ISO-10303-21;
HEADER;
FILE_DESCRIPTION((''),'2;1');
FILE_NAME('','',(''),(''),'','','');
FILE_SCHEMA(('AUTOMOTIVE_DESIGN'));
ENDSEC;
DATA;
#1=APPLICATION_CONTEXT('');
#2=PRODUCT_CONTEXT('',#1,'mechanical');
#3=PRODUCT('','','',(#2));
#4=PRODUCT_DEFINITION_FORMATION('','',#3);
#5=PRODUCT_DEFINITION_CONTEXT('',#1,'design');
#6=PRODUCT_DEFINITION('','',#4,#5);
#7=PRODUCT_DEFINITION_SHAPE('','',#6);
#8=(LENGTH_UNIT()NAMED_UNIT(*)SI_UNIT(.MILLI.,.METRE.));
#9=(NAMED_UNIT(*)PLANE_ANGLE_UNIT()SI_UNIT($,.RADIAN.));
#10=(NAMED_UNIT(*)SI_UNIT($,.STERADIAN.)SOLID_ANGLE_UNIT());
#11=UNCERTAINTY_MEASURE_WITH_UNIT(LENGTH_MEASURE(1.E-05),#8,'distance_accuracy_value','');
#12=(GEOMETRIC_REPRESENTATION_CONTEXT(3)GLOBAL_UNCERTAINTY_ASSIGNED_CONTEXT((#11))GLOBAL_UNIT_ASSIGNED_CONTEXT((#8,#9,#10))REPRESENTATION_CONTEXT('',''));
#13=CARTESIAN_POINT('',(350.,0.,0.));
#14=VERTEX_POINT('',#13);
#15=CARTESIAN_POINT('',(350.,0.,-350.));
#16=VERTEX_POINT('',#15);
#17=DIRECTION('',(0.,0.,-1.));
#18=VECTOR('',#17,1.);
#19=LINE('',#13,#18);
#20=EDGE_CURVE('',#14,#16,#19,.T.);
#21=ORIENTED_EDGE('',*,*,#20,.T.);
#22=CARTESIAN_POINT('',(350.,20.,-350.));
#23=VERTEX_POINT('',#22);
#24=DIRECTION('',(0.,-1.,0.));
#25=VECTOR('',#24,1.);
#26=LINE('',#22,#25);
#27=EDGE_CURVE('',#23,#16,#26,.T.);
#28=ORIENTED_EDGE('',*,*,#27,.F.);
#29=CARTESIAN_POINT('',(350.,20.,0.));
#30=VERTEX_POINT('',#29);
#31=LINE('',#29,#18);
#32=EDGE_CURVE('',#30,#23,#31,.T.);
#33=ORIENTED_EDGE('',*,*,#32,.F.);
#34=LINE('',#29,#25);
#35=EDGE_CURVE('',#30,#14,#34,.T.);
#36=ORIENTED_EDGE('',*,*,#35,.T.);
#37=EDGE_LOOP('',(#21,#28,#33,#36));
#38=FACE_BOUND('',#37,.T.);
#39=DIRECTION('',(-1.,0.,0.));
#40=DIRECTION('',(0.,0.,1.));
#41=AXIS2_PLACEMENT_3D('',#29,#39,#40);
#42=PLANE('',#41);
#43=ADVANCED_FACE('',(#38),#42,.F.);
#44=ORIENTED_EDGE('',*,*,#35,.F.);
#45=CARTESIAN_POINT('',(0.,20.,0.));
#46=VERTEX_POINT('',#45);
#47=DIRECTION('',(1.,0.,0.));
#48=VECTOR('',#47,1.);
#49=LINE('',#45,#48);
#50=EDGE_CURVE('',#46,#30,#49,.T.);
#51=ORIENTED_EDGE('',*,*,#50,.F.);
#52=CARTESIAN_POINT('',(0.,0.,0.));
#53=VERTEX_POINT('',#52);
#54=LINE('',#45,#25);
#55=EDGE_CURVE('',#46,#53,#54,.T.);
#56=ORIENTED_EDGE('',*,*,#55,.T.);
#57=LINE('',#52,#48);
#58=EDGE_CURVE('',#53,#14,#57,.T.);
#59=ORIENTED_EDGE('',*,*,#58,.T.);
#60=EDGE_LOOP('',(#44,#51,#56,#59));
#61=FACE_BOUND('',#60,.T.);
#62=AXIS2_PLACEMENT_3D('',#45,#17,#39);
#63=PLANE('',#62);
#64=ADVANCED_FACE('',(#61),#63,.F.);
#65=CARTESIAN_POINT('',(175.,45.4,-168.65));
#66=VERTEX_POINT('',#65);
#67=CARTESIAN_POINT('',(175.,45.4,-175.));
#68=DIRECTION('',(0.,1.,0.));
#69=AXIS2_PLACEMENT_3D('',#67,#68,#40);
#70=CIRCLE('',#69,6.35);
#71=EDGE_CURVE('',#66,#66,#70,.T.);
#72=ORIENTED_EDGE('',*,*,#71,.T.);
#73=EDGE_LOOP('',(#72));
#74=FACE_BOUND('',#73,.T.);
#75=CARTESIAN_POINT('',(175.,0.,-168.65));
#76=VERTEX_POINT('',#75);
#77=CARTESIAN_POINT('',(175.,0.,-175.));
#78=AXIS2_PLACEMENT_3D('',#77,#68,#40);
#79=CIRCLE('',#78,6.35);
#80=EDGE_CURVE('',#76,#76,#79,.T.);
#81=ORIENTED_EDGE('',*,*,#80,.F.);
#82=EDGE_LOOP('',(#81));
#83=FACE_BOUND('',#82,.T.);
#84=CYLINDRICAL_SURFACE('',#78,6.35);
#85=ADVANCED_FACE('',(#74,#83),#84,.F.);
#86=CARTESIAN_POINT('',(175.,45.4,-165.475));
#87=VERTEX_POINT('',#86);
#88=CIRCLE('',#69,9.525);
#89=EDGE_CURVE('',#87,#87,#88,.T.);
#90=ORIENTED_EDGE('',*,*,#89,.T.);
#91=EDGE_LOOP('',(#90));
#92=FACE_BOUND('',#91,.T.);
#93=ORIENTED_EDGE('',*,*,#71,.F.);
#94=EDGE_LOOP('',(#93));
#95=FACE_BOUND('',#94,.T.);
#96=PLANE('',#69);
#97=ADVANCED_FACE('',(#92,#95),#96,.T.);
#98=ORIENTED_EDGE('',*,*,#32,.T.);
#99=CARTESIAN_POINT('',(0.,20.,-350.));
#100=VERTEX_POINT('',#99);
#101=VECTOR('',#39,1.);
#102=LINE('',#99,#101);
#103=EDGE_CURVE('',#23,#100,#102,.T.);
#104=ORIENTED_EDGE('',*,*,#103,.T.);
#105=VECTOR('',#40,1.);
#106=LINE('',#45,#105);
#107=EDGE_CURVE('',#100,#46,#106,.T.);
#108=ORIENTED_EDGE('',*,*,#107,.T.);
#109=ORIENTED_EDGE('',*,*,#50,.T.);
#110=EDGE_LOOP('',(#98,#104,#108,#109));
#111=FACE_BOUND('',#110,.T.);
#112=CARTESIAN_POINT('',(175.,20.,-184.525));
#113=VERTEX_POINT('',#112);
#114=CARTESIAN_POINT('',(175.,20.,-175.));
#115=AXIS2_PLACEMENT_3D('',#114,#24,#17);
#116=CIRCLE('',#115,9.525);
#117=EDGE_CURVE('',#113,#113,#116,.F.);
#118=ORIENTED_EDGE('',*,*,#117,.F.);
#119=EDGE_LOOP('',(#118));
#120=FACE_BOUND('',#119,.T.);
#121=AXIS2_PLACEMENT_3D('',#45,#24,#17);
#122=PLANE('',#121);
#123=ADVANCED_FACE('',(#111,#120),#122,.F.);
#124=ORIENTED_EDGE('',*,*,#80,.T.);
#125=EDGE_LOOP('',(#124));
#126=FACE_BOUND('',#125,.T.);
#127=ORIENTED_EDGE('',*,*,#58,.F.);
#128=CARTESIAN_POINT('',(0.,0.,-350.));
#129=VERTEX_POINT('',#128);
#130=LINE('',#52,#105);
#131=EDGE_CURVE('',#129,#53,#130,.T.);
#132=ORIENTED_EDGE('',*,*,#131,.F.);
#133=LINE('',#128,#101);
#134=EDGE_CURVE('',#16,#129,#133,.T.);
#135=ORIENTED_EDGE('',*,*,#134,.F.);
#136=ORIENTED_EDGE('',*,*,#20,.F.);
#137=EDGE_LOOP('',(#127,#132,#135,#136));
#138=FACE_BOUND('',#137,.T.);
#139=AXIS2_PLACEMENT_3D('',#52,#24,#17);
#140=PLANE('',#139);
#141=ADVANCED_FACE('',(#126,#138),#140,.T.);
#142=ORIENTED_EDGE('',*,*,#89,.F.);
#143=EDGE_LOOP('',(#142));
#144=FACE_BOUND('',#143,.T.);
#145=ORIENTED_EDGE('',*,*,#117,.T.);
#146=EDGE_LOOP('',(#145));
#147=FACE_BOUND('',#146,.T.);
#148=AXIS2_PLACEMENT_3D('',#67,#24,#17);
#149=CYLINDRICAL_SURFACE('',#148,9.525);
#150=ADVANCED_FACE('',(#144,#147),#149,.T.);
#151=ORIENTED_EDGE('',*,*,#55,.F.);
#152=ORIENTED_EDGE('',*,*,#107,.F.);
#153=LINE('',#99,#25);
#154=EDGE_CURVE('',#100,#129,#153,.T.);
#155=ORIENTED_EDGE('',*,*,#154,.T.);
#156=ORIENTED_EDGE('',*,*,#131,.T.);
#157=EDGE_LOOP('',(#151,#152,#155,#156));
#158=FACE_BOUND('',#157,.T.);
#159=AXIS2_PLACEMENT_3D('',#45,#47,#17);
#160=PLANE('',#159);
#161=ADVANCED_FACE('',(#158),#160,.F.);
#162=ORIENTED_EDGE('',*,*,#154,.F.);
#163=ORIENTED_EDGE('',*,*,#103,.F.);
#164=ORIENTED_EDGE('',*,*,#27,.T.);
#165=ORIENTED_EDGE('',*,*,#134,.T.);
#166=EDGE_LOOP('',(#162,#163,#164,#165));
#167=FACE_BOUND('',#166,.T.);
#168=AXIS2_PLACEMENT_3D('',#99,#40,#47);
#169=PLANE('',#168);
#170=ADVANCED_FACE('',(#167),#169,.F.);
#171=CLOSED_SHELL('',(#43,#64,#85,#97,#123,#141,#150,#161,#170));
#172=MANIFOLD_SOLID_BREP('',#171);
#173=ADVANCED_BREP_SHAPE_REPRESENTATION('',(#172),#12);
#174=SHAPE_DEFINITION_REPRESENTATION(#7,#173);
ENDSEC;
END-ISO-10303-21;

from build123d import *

# Parameters (mm, degrees)
SKETCH2_W           = 350
SKETCH2_H           = 350
BOSS_EXTRUDE1_DEPTH = 20
SKETCH3_R           = 6.35
CUT_EXTRUDE1_DEPTH  = 496.37864306
BOSS_EXTRUDE2_START = 25.4
SKETCH3_3_R         = 9.525
SKETCH3_3_R_2       = 6.35
BOSS_EXTRUDE2_DEPTH = 25.4


with BuildPart() as part:
    # Sketch2 → Boss-Extrude1 (new body)
    with BuildSketch(Plane(origin=(0, 0, 0), x_dir=(1, 0, 0), z_dir=(0, 1, 0))):
        with Locations((175, 175)):
            Rectangle(SKETCH2_W, SKETCH2_H)
    extrude(amount=BOSS_EXTRUDE1_DEPTH)

    # Sketch3 → Cut-Extrude1 (cut, through all)
    with BuildSketch(Plane(origin=(0, 20, 0), x_dir=(1, 0, 0), z_dir=(0, 1, 0))):
        with Locations((175, 175)):
            Circle(SKETCH3_R)
    extrude(amount=-CUT_EXTRUDE1_DEPTH, mode=Mode.SUBTRACT)

    # Sketch3<3> → Boss-Extrude2 (add)
    with BuildSketch(Plane(origin=(0, 20, 0), x_dir=(1, 0, 0), z_dir=(0, 1, 0)).offset(BOSS_EXTRUDE2_START)):
        with Locations((175, 175)):
            Circle(SKETCH3_3_R)
        with Locations((175, 175)):
            Circle(SKETCH3_3_R_2, mode=Mode.SUBTRACT)
    extrude(amount=-BOSS_EXTRUDE2_DEPTH)


solid = part.part
